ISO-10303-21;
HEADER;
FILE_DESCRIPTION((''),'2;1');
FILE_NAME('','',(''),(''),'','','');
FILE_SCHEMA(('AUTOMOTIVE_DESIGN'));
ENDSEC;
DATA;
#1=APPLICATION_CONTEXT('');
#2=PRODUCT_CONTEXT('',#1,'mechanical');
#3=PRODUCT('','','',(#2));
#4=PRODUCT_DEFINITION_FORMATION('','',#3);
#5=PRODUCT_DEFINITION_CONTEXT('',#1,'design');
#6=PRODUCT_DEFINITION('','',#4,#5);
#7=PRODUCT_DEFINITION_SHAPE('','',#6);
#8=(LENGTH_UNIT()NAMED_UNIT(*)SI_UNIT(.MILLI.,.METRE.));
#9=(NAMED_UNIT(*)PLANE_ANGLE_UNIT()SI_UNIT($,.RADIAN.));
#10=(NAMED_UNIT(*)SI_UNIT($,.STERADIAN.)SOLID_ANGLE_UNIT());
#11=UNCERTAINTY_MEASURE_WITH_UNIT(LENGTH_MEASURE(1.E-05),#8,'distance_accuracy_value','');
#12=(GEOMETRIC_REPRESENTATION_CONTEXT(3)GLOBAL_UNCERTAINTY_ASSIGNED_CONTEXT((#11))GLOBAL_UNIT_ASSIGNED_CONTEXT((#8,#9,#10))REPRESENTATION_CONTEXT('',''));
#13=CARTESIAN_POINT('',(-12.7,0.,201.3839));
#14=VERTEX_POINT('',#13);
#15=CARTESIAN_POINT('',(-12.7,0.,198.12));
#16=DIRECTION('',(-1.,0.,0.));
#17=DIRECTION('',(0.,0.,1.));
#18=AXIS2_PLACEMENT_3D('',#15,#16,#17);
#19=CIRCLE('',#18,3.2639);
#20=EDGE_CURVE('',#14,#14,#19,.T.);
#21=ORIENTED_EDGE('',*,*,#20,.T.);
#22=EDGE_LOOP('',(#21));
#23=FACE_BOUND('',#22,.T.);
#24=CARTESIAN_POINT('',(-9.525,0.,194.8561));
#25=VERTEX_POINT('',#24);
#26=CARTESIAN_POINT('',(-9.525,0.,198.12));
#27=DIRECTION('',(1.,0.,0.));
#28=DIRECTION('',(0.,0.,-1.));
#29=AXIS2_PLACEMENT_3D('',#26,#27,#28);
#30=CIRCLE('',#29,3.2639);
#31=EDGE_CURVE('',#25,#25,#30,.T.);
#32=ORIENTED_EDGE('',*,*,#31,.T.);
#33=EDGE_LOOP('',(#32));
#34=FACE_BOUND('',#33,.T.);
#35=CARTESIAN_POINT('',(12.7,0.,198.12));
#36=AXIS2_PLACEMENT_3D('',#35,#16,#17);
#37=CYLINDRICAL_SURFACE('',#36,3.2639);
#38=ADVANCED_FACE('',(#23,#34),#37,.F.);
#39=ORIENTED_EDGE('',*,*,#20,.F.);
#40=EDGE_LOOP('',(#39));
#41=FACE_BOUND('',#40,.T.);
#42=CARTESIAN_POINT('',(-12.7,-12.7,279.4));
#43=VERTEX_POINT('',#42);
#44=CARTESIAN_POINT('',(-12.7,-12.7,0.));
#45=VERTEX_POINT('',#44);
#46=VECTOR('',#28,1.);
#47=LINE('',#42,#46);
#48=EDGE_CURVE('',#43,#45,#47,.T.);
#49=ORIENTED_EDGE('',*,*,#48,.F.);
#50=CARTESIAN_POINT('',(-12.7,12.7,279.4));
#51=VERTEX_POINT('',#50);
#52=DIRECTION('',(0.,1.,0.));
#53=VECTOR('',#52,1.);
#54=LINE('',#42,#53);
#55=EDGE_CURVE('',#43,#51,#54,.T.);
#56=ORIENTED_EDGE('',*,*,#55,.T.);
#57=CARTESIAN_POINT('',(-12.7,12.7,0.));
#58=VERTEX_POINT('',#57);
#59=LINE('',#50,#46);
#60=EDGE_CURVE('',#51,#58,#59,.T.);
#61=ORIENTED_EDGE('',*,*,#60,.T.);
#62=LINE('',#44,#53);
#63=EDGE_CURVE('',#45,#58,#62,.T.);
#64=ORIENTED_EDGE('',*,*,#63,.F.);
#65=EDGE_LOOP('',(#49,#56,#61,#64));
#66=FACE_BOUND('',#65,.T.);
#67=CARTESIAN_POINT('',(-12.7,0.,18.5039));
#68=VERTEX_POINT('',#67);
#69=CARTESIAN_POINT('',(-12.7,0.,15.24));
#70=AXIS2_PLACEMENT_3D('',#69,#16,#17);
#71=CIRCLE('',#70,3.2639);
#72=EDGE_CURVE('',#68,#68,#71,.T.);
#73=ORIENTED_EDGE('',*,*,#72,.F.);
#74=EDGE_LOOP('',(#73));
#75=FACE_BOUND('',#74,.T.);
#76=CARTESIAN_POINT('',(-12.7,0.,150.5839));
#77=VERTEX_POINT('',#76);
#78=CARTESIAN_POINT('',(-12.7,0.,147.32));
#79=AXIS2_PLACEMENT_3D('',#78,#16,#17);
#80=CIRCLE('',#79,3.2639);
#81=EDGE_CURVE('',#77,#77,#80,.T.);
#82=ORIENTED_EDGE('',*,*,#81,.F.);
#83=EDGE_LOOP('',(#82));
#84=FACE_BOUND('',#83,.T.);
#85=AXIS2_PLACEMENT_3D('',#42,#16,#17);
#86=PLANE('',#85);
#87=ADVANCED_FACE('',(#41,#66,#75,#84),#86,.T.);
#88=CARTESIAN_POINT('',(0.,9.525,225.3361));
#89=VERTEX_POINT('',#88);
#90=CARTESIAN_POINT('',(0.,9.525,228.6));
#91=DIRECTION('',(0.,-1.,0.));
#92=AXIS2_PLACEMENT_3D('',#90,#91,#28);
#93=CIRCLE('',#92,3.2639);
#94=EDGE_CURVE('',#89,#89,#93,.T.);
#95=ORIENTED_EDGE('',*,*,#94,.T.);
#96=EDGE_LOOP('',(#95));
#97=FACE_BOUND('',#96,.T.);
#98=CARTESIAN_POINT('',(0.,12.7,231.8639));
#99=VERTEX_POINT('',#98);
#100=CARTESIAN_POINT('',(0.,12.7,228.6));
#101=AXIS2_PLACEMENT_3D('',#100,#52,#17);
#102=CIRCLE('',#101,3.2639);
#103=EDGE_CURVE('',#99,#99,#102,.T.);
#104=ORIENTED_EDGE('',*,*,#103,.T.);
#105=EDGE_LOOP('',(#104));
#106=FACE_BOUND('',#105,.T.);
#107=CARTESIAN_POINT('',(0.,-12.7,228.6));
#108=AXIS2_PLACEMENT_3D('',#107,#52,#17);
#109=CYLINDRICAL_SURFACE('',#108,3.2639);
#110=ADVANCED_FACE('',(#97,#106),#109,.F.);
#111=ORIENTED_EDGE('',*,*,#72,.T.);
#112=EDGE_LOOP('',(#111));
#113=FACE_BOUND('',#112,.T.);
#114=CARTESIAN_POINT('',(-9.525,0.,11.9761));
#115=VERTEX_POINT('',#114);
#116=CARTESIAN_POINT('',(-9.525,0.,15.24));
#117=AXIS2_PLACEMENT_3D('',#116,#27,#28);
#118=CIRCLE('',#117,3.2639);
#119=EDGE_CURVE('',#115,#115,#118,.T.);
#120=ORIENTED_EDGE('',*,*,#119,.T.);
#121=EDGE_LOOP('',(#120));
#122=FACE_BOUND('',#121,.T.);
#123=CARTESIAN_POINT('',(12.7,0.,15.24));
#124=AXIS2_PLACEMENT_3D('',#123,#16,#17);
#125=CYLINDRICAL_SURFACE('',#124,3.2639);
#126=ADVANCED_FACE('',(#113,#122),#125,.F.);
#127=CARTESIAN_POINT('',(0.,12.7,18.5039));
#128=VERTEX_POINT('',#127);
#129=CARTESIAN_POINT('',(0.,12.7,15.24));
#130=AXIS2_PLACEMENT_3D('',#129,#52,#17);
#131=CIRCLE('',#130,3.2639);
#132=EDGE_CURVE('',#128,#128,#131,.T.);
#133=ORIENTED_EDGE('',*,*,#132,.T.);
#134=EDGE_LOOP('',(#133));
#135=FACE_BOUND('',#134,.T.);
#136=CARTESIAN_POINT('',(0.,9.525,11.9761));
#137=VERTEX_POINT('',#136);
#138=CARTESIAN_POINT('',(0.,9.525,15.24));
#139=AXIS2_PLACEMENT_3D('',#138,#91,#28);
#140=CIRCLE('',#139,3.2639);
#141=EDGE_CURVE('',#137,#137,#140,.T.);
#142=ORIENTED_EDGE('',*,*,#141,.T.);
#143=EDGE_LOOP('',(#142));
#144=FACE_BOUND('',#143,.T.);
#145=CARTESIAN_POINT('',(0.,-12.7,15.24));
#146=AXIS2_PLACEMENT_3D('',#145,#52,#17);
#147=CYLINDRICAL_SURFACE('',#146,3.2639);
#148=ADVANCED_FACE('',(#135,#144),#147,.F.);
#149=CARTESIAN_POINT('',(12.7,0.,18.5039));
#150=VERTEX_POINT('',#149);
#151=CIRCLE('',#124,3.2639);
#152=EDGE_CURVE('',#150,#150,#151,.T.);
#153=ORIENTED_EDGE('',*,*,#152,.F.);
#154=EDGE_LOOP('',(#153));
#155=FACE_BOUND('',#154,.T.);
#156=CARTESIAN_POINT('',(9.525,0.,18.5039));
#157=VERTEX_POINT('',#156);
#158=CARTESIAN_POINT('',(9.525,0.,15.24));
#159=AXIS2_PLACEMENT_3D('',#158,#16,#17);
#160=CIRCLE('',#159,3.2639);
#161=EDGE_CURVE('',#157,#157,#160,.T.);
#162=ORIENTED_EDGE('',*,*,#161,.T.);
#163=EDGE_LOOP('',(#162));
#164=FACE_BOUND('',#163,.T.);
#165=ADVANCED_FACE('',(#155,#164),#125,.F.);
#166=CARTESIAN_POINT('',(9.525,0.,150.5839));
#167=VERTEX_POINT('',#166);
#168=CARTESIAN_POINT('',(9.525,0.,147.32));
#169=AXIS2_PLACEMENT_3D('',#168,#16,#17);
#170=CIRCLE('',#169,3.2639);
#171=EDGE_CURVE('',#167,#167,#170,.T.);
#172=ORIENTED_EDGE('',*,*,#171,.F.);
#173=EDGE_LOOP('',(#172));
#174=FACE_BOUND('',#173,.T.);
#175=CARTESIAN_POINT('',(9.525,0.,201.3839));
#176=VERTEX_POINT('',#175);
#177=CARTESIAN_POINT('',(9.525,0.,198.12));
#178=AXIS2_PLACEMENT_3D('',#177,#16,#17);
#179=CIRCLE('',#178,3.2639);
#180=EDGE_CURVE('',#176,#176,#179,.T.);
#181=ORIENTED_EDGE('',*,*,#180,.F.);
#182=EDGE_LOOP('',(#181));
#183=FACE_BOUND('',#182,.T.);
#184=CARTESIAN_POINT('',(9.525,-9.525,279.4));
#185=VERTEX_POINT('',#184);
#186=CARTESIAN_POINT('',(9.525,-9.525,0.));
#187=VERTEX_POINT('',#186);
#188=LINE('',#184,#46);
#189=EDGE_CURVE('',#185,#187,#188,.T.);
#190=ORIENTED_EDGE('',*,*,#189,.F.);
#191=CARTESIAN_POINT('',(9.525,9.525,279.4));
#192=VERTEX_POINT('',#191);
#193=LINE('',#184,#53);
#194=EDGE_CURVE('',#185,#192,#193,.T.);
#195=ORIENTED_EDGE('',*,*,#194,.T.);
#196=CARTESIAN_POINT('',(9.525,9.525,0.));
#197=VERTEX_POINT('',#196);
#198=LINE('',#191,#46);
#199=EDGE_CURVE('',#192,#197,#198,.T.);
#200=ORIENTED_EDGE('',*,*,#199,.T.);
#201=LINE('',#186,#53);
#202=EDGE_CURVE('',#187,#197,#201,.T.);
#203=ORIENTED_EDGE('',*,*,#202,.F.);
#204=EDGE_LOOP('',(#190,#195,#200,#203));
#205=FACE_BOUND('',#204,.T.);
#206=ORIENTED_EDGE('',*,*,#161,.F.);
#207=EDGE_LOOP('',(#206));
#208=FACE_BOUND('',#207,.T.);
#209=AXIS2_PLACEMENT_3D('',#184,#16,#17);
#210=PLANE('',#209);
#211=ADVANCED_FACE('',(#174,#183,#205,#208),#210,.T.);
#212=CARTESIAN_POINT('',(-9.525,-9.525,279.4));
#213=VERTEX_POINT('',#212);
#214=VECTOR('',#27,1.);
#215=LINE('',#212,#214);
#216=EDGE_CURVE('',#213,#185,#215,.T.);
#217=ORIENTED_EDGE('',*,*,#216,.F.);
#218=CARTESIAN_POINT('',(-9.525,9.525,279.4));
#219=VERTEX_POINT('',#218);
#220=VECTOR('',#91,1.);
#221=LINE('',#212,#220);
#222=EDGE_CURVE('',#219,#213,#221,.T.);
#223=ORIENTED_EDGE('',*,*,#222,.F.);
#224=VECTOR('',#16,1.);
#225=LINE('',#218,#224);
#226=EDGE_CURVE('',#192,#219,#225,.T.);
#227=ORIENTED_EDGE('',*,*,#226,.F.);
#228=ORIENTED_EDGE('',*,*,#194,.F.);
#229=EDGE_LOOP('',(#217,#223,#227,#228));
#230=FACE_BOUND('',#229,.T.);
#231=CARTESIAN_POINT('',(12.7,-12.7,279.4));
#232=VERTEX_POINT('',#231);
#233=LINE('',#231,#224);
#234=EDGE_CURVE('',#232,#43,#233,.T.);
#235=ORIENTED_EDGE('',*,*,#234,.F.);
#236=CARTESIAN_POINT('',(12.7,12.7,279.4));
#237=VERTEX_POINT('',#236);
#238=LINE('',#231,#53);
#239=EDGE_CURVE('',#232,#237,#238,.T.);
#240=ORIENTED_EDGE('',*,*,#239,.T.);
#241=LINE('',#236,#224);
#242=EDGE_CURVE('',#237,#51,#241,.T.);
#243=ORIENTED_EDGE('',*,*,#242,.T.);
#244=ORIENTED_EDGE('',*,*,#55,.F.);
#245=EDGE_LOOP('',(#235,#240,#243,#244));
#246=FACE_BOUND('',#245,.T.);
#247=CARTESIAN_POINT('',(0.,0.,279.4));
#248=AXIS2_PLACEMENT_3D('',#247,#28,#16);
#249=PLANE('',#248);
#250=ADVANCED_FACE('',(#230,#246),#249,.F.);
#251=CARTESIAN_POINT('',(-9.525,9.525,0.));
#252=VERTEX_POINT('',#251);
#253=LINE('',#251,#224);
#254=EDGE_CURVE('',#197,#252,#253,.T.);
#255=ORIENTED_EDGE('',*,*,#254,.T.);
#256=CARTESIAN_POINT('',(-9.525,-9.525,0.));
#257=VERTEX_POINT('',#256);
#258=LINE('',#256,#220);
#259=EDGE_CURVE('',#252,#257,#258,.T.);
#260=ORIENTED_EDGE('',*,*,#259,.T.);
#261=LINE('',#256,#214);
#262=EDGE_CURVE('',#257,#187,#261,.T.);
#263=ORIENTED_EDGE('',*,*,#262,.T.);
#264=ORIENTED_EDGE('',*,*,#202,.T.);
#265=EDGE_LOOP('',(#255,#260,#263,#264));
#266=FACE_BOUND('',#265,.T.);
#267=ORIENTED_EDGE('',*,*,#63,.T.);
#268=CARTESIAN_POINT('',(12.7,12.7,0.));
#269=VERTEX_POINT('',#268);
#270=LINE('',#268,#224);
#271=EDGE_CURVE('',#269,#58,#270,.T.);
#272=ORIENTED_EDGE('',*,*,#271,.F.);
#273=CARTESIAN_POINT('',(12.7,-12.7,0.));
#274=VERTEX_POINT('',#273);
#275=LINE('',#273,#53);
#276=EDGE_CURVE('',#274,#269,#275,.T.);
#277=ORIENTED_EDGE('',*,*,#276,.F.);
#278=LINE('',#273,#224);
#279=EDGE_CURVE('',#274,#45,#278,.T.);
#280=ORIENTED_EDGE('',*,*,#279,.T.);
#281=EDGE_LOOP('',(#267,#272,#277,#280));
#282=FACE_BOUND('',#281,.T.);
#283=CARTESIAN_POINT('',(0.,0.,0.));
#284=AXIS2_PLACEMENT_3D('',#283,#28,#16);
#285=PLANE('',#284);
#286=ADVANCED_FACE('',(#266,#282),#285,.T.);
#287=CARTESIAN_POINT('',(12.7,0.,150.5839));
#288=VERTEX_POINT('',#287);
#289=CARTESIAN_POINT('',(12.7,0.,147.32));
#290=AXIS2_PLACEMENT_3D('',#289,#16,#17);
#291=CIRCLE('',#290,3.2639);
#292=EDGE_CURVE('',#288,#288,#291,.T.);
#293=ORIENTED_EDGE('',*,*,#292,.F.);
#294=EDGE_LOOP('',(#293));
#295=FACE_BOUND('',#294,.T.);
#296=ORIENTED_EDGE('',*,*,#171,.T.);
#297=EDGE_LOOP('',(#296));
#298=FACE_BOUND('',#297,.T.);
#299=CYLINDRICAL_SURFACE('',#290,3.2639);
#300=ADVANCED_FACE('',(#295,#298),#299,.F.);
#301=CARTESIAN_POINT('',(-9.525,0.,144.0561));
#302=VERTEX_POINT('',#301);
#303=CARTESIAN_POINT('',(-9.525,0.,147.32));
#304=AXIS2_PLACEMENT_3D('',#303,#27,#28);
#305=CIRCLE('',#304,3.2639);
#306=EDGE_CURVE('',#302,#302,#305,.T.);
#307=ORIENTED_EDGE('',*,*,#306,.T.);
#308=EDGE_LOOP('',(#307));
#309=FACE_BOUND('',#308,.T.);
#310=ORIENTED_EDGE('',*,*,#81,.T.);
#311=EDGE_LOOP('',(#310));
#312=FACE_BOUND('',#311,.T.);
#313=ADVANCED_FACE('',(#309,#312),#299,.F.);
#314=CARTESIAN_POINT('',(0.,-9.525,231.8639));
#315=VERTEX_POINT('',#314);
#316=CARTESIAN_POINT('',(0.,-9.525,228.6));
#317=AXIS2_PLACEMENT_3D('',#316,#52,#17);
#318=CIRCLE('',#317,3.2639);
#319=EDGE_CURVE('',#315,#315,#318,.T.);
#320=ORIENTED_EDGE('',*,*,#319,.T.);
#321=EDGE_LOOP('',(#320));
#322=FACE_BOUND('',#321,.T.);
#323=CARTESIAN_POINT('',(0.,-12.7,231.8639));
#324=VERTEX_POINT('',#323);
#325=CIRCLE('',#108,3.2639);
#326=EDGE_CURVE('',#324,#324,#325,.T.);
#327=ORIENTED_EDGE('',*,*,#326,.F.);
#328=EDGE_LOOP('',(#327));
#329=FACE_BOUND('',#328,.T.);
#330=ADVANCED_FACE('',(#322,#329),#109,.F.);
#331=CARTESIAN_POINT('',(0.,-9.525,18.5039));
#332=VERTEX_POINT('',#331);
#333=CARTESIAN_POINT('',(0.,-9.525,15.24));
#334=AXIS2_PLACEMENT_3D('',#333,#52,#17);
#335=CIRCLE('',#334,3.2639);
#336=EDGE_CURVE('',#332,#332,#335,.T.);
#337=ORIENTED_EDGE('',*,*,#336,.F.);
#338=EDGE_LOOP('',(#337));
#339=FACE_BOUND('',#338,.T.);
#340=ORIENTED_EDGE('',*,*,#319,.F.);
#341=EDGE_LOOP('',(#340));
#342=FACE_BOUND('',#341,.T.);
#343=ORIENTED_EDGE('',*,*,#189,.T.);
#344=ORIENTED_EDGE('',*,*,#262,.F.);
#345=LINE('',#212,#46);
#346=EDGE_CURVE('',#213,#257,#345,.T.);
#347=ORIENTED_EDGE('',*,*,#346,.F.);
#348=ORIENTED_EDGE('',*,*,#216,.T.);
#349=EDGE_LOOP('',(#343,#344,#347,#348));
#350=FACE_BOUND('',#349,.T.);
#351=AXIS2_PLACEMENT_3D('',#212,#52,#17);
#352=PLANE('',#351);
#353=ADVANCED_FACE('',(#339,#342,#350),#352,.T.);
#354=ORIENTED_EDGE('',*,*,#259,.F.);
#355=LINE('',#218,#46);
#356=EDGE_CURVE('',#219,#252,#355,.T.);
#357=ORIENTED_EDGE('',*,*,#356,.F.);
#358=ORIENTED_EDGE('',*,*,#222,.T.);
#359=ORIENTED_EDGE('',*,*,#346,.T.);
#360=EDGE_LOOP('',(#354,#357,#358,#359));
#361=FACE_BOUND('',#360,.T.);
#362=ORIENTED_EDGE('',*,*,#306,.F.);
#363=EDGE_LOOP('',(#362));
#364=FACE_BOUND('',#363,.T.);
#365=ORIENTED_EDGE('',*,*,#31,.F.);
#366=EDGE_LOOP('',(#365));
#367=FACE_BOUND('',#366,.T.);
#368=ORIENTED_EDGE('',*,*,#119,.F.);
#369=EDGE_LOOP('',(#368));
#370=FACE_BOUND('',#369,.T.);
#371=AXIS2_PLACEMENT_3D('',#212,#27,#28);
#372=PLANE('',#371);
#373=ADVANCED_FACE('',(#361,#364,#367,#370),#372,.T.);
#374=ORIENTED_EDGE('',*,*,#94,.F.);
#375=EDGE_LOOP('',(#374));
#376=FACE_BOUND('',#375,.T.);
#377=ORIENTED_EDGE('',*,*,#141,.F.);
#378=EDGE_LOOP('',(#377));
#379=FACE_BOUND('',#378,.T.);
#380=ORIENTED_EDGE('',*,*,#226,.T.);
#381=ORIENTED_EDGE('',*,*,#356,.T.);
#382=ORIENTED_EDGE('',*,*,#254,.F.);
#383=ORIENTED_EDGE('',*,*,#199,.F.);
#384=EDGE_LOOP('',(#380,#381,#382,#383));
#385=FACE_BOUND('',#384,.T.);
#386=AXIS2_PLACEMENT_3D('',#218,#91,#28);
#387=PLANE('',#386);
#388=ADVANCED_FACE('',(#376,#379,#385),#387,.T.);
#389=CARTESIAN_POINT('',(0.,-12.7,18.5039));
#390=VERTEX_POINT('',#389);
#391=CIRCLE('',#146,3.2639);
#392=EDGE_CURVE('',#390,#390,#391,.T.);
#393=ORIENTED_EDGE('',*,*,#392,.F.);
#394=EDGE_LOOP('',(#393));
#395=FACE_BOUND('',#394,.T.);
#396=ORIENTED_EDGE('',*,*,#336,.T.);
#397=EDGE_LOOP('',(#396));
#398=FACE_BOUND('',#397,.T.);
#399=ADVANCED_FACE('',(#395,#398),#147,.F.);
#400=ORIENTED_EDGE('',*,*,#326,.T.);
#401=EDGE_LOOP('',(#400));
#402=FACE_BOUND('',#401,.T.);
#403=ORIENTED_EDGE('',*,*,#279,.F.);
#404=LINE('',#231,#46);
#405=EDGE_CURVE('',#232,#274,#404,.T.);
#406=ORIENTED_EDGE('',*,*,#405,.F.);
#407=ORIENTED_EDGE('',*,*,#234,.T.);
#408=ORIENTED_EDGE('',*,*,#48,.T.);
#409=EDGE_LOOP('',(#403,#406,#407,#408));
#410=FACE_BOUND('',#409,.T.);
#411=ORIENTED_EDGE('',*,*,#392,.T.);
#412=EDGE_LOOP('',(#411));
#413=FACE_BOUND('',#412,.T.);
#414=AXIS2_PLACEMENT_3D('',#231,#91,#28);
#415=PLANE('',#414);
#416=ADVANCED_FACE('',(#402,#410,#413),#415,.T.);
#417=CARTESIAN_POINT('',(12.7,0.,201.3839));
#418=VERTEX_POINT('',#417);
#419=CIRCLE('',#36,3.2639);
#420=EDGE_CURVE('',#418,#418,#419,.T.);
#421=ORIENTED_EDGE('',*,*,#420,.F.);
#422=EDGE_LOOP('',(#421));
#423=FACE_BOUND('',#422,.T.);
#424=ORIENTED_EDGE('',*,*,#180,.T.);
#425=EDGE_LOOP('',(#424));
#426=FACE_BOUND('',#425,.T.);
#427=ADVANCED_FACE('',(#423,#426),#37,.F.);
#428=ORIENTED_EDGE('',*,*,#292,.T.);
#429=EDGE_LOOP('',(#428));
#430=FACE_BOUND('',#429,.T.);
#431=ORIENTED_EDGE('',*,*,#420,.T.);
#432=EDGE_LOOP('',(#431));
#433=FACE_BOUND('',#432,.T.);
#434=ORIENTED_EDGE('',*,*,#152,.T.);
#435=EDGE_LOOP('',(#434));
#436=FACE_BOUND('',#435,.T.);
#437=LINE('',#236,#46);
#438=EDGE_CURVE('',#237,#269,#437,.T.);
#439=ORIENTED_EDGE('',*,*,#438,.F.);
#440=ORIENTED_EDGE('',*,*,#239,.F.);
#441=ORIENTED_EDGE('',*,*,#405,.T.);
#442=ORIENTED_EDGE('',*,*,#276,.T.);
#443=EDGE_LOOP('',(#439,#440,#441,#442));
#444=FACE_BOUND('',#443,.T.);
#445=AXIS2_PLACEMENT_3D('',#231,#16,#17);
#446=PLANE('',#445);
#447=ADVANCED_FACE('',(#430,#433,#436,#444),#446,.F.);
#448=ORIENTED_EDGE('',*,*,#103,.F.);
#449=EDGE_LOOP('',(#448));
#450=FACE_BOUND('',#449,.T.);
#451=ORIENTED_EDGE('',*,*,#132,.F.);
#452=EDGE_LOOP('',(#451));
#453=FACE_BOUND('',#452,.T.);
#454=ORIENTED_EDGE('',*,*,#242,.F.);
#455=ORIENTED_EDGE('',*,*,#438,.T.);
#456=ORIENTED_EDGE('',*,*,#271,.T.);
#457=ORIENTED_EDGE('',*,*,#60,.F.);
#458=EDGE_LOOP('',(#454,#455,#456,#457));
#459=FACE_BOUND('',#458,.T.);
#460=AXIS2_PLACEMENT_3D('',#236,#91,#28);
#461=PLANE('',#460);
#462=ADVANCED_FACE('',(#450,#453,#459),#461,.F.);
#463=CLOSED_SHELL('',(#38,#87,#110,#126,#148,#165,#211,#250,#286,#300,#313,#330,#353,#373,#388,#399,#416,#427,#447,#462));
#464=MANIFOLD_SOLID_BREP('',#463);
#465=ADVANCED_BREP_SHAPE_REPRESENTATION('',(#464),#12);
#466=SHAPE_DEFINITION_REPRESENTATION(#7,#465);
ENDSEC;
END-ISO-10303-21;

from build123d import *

# Parameters (mm, degrees)
SKETCH2_W           = 25.4
SKETCH2_H           = 25.4
BOSS_EXTRUDE1_DEPTH = 279.4
SKETCH4_W           = 19.05
SKETCH4_H           = 19.05
CUT_EXTRUDE1_DEPTH  = 280.9766776
SKETCH5_R           = 3.2639
CUT_EXTRUDE2_DEPTH  = 281.839473721
SKETCH6_R           = 3.2639
CUT_EXTRUDE3_DEPTH  = 281.839473721
SKETCH7_R           = 3.2639
CUT_EXTRUDE4_DEPTH  = 281.839473721
SKETCH8_R           = 3.2639
CUT_EXTRUDE5_DEPTH  = 281.839473721


with BuildPart() as part:
    # Sketch2 → Boss-Extrude1 (new body)
    with BuildSketch(Plane.XY):
        Rectangle(SKETCH2_W, SKETCH2_H)
    extrude(amount=BOSS_EXTRUDE1_DEPTH)

    # Sketch4 → Cut-Extrude1 (cut, through all)
    with BuildSketch(Plane.XY):
        Rectangle(SKETCH4_W, SKETCH4_H)
    extrude(amount=CUT_EXTRUDE1_DEPTH, mode=Mode.SUBTRACT)

    # Sketch5 → Cut-Extrude2 (cut, through all)
    with BuildSketch(Plane(origin=(0, 12.7, 0), x_dir=(1, 0, 0), z_dir=(0, 1, 0))):
        with Locations(Location((0, -15.24, 0), (0, 0, 270))):
            Circle(SKETCH5_R)
    extrude(amount=-CUT_EXTRUDE2_DEPTH, mode=Mode.SUBTRACT)

    # Sketch6 → Cut-Extrude3 (cut, through all)
    with BuildSketch(Plane(origin=(0, 12.7, 0), x_dir=(1, 0, 0), z_dir=(0, 1, 0))):
        with Locations(Location((0, -228.6, 0), (0, 0, 270))):
            Circle(SKETCH6_R)
    extrude(amount=-CUT_EXTRUDE3_DEPTH, mode=Mode.SUBTRACT)

    # Sketch7 → Cut-Extrude4 (cut, through all)
    with BuildSketch(Plane.ZY.offset(12.7)):
        with Locations((15.24, 0)):
            Circle(SKETCH7_R)
    extrude(amount=-CUT_EXTRUDE4_DEPTH, mode=Mode.SUBTRACT)

    # Sketch8 → Cut-Extrude5 (cut, through all)
    with BuildSketch(Plane.ZY.offset(12.7)):
        with Locations((198.12, 0)):
            Circle(SKETCH8_R)
        with Locations((147.32, 0)):
            Circle(SKETCH8_R)
    extrude(amount=-CUT_EXTRUDE5_DEPTH, mode=Mode.SUBTRACT)


solid = part.part
